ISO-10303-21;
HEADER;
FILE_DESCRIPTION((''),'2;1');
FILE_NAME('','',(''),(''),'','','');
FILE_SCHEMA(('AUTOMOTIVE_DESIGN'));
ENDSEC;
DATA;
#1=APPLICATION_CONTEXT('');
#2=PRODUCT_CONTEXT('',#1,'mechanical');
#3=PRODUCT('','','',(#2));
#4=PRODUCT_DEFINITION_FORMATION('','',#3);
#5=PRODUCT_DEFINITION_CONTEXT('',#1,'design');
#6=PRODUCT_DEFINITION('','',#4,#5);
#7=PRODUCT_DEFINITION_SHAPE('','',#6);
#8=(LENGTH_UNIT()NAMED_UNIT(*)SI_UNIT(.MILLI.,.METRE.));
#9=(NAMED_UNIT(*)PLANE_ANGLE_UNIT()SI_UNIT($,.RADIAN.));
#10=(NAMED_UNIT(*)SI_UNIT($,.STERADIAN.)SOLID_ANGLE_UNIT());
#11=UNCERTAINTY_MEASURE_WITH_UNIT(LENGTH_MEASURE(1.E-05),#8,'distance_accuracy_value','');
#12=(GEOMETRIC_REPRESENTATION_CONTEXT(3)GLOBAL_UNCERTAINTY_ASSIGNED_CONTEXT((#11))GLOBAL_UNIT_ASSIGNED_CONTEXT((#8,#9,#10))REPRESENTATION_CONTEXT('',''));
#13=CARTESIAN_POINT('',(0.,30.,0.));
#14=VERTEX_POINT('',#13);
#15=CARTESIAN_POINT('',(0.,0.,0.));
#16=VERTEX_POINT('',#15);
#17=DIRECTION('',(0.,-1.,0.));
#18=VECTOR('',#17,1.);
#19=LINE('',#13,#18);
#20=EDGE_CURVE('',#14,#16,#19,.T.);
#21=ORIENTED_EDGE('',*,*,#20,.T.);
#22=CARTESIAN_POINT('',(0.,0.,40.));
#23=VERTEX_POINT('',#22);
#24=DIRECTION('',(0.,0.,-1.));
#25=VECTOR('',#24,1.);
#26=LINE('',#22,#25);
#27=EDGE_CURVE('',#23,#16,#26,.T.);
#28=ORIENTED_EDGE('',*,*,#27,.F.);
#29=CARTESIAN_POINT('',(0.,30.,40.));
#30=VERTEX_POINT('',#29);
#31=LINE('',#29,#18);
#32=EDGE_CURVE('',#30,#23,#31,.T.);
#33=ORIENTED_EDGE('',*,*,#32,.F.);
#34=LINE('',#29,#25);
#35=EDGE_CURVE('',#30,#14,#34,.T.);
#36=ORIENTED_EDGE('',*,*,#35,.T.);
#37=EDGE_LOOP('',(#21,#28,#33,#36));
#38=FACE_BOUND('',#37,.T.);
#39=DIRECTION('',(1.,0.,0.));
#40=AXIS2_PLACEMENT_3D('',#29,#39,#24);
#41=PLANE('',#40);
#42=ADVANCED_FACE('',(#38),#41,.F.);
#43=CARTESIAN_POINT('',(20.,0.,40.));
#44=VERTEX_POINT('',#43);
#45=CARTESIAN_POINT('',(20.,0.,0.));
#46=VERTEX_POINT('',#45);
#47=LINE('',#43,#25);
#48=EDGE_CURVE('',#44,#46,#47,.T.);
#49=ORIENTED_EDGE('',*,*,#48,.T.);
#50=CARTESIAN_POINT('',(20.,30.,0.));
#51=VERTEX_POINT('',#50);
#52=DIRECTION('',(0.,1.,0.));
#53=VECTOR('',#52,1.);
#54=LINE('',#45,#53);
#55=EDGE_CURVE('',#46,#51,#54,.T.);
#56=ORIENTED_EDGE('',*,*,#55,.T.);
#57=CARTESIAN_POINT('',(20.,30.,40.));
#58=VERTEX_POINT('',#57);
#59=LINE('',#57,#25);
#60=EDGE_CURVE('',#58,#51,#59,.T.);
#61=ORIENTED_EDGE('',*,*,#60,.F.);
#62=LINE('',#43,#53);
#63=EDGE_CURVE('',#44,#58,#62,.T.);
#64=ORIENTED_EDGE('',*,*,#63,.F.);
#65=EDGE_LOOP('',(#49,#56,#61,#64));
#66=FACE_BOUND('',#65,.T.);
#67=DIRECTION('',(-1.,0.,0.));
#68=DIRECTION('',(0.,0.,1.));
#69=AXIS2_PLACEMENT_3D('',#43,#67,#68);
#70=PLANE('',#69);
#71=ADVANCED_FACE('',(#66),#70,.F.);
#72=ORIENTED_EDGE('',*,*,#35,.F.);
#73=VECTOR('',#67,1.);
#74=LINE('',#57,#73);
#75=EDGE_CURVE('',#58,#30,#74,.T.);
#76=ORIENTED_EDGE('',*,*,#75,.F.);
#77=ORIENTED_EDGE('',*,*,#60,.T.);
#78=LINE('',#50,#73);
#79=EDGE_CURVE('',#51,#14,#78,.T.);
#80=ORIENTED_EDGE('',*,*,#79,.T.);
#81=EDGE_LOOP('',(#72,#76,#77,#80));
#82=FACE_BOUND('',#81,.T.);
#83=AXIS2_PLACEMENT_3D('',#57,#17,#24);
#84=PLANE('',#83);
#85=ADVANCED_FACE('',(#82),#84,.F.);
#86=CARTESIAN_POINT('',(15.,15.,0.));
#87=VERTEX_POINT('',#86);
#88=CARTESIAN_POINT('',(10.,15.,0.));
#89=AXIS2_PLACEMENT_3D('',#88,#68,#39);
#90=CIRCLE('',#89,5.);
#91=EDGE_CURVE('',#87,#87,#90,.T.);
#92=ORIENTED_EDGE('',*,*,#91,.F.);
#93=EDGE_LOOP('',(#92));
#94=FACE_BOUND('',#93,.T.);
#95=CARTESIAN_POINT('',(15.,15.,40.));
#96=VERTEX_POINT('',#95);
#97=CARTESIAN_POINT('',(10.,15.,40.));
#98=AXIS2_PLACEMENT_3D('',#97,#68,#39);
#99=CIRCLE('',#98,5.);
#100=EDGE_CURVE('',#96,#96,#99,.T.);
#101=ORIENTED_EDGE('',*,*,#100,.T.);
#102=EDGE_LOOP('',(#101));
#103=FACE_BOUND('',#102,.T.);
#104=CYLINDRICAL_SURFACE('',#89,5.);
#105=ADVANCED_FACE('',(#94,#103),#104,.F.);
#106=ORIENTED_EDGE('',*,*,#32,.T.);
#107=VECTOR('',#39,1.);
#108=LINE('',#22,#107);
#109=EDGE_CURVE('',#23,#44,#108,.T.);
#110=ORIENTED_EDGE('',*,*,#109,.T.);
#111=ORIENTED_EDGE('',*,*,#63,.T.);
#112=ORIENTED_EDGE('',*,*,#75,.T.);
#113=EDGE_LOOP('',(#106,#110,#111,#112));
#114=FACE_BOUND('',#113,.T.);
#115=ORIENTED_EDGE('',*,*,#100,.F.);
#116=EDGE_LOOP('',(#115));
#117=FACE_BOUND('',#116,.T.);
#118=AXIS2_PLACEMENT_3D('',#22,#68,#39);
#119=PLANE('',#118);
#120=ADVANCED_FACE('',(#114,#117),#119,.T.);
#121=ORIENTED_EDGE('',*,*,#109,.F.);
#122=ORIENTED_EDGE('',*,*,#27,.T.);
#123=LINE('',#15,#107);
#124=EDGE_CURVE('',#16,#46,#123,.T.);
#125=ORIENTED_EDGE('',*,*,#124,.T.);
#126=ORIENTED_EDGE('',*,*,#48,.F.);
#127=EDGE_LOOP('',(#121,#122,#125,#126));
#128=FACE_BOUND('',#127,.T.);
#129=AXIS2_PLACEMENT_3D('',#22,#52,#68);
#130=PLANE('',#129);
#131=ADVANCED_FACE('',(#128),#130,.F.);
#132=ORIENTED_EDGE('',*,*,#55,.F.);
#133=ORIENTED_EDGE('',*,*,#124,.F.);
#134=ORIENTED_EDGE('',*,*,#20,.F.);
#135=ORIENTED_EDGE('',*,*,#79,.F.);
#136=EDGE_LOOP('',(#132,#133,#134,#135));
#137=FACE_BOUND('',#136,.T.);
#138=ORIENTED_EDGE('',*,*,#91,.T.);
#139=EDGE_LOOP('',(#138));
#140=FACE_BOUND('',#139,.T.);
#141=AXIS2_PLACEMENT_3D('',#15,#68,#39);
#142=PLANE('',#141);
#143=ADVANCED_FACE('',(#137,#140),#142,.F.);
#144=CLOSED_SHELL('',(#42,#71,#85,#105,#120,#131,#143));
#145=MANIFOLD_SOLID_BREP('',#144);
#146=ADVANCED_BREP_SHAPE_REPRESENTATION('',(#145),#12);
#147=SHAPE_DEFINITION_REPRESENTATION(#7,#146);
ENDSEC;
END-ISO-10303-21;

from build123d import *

# Parameters (mm, degrees)
SKETCH_BASE_PROFILE_W      = 20
SKETCH_BASE_PROFILE_H      = 30
FEATURE_BASE_DEPTH         = 40
SKETCH_HOLE_PROFILE_R      = 5
FEATURE_THROUGH_HOLE_DEPTH = 54.851648071


with BuildPart() as part:
    # sketch:base-profile → feature:base (new body)
    with BuildSketch(Plane.XY):
        with Locations((10, 15)):
            Rectangle(SKETCH_BASE_PROFILE_W, SKETCH_BASE_PROFILE_H)
    extrude(amount=FEATURE_BASE_DEPTH)

    # sketch:hole-profile → feature:through-hole (cut, through all)
    with BuildSketch(Plane.XY.offset(40)):
        with Locations((10, 15)):
            Circle(SKETCH_HOLE_PROFILE_R)
    extrude(amount=-FEATURE_THROUGH_HOLE_DEPTH, mode=Mode.SUBTRACT)


solid = part.part
